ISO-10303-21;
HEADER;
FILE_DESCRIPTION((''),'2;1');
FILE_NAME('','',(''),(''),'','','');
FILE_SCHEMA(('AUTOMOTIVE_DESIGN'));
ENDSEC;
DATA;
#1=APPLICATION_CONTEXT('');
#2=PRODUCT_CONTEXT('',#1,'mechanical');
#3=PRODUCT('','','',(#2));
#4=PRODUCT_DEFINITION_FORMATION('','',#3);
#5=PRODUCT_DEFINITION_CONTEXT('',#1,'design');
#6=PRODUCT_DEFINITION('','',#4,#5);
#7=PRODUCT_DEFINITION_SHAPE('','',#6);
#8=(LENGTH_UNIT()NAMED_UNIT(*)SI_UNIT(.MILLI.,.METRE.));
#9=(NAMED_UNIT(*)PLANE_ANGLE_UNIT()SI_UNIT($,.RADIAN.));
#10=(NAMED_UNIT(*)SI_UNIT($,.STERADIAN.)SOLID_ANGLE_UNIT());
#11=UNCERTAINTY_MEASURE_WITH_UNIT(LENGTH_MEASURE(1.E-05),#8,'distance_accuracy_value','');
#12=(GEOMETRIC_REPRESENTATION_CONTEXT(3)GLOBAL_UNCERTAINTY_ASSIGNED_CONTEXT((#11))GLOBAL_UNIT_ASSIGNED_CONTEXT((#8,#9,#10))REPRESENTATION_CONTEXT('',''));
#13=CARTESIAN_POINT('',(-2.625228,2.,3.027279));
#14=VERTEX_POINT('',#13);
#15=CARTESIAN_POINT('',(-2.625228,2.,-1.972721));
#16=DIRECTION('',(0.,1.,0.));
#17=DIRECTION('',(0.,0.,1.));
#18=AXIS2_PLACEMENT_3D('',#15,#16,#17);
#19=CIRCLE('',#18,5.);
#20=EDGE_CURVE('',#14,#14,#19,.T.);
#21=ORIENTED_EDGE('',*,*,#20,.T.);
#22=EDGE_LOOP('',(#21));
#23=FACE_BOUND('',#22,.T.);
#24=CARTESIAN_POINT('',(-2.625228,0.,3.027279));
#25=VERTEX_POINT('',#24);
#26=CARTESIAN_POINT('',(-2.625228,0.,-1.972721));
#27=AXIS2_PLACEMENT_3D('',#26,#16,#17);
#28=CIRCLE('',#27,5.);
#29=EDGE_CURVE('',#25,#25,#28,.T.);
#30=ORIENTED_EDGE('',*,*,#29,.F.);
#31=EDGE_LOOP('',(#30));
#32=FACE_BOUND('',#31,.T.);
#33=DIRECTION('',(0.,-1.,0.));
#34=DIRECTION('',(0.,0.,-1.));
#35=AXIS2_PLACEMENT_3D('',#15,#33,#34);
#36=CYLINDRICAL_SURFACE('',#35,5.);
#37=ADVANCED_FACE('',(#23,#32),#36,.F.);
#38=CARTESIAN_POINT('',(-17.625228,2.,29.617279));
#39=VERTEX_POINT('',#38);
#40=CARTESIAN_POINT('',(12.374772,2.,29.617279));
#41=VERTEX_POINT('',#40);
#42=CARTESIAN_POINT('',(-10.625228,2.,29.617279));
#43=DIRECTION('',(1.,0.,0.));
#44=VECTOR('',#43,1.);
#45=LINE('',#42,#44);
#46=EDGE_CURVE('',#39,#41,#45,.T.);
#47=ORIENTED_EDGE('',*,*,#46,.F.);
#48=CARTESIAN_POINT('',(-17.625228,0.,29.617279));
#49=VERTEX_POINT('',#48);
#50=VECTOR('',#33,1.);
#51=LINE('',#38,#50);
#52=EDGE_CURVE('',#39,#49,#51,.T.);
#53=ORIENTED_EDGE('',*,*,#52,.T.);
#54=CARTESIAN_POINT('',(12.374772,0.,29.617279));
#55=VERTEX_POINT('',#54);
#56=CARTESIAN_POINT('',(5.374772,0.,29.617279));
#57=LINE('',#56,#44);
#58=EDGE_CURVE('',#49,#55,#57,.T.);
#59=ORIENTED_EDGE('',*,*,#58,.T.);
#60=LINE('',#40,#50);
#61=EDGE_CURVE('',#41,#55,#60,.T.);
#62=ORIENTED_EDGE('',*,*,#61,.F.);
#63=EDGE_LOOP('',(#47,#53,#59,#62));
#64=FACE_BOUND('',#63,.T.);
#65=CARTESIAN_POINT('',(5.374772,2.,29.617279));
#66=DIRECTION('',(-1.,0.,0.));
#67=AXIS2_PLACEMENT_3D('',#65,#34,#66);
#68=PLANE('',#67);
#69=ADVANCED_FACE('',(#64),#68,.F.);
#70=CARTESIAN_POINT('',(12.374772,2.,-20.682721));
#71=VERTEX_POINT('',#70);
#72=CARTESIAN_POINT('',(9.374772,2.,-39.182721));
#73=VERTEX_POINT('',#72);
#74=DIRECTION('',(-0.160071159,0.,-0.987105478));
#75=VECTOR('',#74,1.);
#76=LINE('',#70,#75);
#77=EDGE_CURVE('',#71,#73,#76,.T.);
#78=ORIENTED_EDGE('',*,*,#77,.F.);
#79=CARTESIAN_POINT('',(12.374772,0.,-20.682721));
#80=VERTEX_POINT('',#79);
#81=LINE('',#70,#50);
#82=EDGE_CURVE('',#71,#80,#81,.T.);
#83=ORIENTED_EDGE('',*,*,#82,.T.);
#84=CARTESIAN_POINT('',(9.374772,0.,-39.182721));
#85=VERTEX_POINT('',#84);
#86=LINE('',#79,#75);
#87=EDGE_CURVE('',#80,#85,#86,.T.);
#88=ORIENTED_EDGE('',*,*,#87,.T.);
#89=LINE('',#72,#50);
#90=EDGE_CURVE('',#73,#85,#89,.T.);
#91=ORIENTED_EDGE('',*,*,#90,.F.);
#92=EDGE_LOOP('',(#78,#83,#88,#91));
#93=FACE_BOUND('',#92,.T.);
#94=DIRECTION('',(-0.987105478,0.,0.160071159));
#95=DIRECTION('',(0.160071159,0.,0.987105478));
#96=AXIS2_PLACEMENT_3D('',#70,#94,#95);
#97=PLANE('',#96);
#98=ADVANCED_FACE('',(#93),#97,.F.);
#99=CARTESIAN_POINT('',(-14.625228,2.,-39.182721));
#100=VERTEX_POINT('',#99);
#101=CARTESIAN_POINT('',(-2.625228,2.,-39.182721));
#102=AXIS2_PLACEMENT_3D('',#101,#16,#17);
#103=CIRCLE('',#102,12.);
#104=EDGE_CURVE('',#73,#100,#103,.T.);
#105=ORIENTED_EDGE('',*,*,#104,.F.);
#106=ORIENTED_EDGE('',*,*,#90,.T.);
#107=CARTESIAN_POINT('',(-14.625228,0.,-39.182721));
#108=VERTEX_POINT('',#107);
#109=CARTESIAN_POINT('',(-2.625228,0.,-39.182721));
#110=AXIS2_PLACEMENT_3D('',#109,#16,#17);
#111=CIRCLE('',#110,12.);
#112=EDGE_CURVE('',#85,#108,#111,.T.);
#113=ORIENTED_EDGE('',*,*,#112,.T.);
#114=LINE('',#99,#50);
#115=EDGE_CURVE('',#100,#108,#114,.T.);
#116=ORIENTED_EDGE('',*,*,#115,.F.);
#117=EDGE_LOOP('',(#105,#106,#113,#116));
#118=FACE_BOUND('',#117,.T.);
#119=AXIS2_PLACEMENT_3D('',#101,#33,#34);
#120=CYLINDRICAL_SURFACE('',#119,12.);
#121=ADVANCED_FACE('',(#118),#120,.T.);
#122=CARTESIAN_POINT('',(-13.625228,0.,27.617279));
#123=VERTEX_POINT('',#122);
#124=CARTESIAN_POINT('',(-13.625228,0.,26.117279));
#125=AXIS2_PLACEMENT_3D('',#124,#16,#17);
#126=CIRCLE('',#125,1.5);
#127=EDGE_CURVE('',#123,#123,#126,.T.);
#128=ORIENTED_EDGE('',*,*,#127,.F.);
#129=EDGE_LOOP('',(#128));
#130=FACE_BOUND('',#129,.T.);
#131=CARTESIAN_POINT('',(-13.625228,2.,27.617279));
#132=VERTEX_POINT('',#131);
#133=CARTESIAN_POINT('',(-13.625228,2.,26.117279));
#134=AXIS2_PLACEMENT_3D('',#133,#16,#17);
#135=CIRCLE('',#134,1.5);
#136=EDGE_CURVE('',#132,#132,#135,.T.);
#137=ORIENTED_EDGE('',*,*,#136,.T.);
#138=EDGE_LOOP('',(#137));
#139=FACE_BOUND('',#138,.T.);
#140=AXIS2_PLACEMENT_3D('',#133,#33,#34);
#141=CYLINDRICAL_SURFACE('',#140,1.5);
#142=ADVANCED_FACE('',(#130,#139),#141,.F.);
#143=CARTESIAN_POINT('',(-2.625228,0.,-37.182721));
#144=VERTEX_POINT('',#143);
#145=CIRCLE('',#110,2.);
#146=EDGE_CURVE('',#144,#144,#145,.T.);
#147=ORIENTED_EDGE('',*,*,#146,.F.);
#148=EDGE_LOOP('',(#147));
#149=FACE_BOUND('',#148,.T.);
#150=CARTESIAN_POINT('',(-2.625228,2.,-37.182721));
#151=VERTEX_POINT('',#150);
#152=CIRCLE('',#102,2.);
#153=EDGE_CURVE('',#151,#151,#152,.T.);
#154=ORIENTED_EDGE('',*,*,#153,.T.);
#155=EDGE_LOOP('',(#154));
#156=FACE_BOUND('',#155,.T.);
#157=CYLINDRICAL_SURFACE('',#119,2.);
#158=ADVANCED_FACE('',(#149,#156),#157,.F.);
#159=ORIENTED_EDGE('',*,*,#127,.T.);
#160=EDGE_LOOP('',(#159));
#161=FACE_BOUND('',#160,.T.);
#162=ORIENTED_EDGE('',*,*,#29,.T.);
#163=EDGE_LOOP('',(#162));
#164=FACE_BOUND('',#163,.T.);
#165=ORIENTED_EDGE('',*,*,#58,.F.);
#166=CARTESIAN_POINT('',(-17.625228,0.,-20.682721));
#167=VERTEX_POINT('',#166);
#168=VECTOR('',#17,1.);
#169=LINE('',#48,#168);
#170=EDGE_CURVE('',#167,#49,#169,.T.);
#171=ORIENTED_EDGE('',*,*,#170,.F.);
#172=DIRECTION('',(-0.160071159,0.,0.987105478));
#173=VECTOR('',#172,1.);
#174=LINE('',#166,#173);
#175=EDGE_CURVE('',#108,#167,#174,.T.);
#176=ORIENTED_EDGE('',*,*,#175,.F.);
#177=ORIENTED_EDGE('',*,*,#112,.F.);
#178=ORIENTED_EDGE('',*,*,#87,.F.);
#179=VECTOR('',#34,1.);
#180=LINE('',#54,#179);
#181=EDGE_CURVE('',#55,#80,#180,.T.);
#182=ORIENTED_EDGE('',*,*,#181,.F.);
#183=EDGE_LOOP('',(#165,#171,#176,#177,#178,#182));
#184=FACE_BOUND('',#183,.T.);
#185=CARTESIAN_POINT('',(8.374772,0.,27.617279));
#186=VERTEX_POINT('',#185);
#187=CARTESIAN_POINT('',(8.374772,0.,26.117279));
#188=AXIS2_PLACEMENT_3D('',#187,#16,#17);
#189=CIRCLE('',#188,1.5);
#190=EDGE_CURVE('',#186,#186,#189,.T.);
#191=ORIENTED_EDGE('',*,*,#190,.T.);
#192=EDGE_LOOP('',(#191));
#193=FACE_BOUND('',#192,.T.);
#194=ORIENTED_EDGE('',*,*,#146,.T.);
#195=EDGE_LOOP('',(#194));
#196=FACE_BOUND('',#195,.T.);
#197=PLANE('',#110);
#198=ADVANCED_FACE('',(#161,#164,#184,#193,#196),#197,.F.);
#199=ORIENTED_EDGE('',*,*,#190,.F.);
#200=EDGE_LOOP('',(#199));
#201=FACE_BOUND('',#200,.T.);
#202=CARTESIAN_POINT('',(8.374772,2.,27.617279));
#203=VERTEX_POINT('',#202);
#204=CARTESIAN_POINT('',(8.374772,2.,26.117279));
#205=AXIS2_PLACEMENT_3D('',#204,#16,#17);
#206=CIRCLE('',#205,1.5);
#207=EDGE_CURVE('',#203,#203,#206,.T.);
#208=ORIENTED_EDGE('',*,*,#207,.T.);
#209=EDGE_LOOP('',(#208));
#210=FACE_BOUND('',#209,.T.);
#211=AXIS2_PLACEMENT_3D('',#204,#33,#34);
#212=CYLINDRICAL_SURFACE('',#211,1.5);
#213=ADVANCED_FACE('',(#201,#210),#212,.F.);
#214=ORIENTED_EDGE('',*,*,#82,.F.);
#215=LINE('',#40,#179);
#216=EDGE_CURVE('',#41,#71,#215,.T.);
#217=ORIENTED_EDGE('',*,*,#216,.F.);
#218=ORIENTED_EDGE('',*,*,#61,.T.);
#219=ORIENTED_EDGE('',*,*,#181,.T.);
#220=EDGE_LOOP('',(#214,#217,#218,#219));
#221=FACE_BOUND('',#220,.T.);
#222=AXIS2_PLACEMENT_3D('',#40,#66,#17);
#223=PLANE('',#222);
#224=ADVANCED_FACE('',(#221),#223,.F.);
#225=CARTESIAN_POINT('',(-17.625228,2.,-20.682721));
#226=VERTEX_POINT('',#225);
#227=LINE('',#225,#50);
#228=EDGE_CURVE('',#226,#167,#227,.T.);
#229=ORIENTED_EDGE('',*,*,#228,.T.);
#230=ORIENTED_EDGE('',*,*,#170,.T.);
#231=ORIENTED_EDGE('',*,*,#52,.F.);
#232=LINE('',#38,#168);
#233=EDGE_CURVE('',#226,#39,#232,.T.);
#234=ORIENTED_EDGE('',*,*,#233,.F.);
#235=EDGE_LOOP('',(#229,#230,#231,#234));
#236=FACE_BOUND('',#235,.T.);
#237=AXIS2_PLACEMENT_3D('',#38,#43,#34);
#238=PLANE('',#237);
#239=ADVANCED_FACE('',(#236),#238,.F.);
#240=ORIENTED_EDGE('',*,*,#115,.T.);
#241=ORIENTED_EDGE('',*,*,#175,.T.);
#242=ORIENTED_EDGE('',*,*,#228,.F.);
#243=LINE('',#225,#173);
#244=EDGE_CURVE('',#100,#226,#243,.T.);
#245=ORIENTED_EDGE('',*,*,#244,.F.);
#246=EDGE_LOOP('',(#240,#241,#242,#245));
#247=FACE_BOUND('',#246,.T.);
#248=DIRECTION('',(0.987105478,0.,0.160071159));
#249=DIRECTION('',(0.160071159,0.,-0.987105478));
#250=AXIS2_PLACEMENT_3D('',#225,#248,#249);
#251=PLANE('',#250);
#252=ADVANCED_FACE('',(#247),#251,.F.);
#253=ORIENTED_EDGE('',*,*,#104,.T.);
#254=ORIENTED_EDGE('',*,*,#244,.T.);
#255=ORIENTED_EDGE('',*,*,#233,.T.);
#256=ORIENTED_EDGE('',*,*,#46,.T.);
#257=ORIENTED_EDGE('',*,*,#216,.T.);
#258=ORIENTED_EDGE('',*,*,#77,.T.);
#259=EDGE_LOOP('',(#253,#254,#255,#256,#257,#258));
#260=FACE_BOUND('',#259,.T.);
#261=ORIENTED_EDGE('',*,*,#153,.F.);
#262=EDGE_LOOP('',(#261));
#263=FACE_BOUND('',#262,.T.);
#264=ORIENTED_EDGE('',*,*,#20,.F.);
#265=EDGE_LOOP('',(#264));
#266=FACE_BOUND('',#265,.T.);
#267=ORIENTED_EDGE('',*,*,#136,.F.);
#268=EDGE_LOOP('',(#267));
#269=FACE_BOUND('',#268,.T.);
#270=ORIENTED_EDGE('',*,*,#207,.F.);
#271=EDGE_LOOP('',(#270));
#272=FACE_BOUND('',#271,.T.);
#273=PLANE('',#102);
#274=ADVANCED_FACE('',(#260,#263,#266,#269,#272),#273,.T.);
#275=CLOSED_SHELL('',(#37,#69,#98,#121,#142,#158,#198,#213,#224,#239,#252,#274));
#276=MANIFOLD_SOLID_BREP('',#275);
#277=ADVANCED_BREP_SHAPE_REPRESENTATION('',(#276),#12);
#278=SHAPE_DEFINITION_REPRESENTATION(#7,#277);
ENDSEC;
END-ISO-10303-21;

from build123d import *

# Parameters (mm, degrees)
SKETCH_1_R      = 1.5
SKETCH_1_R_2    = 2
SKETCH_1_R_3    = 5
EXTRUDE_1_DEPTH = 2


with BuildPart() as part:
    # Эскиз1 → Бобышка-Вытянуть1 (new body)
    with BuildSketch(Plane(origin=(0, 0, 0), x_dir=(1, 0, 0), z_dir=(0, 1, 0))):
        with BuildLine():
            Line((12.374772085, -29.617278809), (12.374772085, 20.682721191))
            Line((12.374772085, 20.682721191), (9.374772085, 39.182721191))
            ThreePointArc((9.374772085, 39.182721191), (-2.625227915, 51.182721191), (-14.625227915, 39.182721191))
            Line((-14.625227915, 39.182721191), (-17.625227915, 20.682721191))
            Line((-17.625227915, 20.682721191), (-17.625227915, -29.617278809))
            Line((-17.625227915, -29.617278809), (-10.625227915, -29.617278809))
            Line((-10.625227915, -29.617278809), (5.374772085, -29.617278809))
            Line((5.374772085, -29.617278809), (12.374772085, -29.617278809))
        make_face()
        with Locations(Location((-13.625227915, -26.117278809, 0), (0, 0, 270))):
            Circle(SKETCH_1_R, mode=Mode.SUBTRACT)
        with Locations(Location((8.374772085, -26.117278809, 0), (0, 0, 270))):
            Circle(SKETCH_1_R, mode=Mode.SUBTRACT)
        with Locations(Location((-2.625227915, 39.182721191, 0), (0, 0, 270))):
            Circle(SKETCH_1_R_2, mode=Mode.SUBTRACT)
        with Locations(Location((-2.625227915, 1.972721191, 0), (0, 0, 270))):
            Circle(SKETCH_1_R_3, mode=Mode.SUBTRACT)
    extrude(amount=EXTRUDE_1_DEPTH)


solid = part.part
